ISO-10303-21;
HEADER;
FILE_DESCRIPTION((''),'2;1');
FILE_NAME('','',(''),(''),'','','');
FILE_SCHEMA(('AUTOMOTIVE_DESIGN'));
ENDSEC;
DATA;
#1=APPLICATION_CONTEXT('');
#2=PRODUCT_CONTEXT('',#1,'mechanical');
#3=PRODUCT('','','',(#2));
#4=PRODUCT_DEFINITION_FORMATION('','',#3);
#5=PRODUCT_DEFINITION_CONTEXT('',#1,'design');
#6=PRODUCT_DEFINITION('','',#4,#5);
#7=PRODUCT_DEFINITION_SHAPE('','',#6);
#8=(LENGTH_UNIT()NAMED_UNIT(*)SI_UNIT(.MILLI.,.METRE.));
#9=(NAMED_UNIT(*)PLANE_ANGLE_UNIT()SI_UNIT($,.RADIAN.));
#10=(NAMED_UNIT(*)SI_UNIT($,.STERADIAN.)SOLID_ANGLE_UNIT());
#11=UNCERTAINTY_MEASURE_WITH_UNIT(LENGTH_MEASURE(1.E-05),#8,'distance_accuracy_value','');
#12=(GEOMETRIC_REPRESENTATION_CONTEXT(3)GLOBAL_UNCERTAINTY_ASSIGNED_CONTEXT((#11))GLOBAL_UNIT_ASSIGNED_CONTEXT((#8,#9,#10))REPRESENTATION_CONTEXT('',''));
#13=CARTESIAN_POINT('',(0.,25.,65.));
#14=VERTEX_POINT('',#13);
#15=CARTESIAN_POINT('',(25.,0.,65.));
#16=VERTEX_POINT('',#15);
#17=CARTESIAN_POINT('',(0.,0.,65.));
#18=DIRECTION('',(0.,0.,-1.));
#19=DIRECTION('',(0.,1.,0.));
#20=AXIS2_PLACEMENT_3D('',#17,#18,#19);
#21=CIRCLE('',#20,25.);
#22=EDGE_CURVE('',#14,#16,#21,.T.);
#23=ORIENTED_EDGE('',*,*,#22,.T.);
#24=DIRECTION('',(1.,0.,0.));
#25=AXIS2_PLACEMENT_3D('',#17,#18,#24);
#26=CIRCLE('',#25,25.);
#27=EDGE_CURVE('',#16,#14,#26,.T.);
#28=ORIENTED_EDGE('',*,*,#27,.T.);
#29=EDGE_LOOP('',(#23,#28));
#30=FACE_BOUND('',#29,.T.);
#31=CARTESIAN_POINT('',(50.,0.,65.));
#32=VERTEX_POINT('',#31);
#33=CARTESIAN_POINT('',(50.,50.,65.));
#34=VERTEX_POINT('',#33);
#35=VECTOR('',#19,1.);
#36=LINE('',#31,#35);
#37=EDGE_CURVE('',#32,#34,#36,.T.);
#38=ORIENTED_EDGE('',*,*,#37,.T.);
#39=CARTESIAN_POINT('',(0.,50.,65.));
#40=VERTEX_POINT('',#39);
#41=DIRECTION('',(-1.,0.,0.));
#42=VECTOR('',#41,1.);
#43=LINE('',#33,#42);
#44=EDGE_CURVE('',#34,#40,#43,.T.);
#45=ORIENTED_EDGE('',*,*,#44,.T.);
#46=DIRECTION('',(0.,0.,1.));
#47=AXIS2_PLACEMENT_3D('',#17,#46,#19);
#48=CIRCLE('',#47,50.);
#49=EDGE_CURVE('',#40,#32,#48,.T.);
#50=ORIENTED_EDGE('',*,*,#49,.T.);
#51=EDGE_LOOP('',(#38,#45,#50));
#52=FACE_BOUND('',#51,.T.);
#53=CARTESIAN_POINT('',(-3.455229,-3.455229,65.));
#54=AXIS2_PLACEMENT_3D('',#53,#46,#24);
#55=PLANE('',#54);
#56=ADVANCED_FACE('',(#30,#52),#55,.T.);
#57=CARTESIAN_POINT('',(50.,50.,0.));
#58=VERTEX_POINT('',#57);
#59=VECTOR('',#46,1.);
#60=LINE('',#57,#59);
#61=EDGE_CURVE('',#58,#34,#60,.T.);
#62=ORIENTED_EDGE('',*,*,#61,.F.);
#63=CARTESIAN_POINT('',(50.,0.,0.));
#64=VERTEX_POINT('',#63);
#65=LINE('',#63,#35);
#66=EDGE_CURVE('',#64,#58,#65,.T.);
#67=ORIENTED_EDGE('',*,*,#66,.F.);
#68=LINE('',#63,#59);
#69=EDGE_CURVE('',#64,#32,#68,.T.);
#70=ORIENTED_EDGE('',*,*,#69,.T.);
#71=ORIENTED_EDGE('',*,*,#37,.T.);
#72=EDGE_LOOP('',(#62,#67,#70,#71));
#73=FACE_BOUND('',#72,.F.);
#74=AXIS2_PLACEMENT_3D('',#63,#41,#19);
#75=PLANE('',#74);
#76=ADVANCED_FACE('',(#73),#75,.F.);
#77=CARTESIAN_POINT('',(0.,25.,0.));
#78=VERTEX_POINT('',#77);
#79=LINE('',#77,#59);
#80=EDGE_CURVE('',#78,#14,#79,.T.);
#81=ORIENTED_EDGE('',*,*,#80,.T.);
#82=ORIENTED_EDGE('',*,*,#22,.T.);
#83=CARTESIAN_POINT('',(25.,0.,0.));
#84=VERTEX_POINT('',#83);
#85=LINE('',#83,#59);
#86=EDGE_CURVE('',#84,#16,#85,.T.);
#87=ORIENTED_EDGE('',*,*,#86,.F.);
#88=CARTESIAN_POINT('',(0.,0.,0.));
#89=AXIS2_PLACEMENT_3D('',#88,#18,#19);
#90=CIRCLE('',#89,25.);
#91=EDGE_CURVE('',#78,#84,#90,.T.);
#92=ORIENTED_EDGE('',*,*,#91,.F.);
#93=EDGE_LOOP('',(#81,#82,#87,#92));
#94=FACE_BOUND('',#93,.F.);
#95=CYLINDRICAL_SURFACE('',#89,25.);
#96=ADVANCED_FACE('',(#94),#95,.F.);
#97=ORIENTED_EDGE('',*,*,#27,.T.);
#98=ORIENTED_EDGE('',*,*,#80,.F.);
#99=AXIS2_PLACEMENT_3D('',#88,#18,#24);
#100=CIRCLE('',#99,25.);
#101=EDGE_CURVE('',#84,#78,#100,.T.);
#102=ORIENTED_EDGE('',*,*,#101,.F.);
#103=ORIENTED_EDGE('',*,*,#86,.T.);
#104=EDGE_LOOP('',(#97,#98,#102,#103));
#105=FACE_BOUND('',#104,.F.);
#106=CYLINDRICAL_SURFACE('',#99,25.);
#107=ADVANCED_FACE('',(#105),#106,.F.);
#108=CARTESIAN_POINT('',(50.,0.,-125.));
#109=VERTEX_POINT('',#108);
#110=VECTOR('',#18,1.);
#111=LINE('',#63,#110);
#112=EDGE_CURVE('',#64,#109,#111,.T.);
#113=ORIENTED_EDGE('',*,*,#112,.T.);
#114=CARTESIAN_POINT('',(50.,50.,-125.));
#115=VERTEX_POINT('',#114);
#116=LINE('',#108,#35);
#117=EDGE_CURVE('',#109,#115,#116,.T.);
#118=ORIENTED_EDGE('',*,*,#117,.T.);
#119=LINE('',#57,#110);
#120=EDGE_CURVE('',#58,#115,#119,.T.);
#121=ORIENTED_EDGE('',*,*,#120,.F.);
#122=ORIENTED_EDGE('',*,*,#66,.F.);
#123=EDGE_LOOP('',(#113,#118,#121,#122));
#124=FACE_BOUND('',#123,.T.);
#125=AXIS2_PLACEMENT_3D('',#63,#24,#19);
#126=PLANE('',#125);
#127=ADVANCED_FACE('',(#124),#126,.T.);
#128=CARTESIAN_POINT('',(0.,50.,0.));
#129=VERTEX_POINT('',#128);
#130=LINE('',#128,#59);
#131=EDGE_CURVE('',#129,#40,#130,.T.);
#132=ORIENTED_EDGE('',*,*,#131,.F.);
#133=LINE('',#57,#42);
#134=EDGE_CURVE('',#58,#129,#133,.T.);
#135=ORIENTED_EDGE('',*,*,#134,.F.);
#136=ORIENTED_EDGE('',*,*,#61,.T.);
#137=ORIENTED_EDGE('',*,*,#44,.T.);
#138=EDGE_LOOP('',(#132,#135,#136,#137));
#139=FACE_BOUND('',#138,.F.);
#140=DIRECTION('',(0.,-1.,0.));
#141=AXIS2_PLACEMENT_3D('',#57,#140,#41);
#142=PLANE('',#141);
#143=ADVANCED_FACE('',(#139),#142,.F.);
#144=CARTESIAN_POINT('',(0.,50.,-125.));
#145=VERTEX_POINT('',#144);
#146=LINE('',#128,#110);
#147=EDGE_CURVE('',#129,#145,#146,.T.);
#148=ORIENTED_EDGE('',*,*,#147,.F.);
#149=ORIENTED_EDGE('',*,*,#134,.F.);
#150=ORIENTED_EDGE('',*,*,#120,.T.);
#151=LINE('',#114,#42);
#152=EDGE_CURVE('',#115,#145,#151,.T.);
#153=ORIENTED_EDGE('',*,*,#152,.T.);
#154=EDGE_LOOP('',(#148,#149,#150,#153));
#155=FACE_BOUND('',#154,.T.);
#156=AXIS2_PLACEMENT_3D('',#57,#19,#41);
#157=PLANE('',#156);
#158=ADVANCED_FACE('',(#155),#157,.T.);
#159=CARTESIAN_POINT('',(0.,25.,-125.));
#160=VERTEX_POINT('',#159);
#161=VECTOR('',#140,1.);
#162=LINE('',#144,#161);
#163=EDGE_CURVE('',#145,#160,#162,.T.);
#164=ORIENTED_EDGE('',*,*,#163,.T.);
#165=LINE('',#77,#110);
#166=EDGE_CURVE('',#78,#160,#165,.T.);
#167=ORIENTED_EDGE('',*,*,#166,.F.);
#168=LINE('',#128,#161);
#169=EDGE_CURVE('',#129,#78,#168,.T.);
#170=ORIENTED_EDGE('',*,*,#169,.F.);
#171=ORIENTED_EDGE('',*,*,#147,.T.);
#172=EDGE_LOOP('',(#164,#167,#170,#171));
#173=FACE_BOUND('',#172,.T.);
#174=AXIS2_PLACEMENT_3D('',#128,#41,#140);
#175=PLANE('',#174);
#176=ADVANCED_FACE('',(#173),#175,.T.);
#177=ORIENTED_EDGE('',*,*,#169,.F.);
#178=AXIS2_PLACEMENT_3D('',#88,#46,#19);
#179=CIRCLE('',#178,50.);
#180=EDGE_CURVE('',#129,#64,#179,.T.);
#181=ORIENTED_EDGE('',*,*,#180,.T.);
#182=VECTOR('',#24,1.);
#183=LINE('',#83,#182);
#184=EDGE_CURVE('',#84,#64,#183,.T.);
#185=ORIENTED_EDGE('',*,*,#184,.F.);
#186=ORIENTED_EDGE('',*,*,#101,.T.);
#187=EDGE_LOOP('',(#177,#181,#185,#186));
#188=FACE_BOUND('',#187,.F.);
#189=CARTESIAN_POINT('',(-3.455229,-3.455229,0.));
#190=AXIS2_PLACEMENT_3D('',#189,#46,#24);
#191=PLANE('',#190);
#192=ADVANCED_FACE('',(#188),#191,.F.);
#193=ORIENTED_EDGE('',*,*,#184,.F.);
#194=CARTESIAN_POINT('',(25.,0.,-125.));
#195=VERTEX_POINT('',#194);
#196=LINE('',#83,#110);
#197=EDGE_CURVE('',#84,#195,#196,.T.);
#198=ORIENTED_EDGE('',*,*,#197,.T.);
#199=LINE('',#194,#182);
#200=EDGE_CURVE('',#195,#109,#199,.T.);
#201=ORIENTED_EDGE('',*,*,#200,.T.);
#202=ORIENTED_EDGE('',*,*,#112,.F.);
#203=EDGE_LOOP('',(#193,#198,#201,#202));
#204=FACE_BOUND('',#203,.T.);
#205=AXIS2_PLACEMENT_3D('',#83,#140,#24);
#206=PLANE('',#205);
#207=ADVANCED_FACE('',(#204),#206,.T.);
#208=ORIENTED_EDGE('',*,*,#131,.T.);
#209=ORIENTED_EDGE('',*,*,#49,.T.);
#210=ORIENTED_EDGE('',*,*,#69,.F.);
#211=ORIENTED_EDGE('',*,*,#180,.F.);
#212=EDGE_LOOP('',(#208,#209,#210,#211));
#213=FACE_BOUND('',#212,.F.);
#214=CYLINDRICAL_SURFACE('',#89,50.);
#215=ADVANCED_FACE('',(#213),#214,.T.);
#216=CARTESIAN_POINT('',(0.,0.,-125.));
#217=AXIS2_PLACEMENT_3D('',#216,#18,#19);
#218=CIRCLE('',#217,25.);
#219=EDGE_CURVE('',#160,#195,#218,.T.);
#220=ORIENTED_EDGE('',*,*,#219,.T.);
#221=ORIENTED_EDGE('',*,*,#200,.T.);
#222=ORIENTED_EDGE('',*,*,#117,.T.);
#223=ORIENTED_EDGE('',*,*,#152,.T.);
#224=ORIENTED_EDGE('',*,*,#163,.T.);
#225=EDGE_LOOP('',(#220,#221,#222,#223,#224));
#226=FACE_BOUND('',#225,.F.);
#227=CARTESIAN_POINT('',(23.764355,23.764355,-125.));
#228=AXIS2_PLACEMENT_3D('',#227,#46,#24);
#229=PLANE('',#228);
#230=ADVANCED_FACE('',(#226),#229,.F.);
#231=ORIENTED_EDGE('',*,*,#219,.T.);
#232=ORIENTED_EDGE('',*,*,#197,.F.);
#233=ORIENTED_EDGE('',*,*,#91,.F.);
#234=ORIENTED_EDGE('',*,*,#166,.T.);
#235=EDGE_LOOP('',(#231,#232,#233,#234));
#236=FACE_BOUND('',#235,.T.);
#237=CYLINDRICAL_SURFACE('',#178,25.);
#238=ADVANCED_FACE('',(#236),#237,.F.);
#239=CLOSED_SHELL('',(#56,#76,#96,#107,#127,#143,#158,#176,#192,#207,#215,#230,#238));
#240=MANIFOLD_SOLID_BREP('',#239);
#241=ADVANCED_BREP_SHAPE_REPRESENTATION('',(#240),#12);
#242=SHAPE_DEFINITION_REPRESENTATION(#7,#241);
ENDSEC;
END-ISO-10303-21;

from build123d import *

# Parameters (mm, degrees)
F1_DEPTH = 65
F2_DEPTH = 125


with BuildPart() as f1:
    # F0 (on Top) → F1 (new body)
    with BuildSketch(Plane.XY):
        with BuildLine():
            Line((50, 0), (25, 0))
            ThreePointArc((25, 0), (-17.6776695297, -17.6776695297), (0, 25))
            Line((0, 25), (0, 50))
            ThreePointArc((0, 50), (-35.3553390593, -35.3553390593), (50, 0))
        make_face()
        with BuildLine():
            ThreePointArc((0, 25), (17.6776695297, 17.6776695297), (25, 0))
            Line((25, 0), (50, 0))
            ThreePointArc((50, 0), (35.3553390593, 35.3553390593), (0, 50))
            Line((0, 50), (0, 25))
        make_face()
        with BuildLine():
            ThreePointArc((0, 50), (35.3553390593, 35.3553390593), (50, 0))
            Line((50, 0), (50, 50))
            Line((50, 50), (0, 50))
        make_face()
    extrude(amount=F1_DEPTH)

    # F0 (on Top) → F2 (join)
    with BuildSketch(Plane.XY):
        with BuildLine():
            ThreePointArc((0, 25), (17.6776695297, 17.6776695297), (25, 0))
            Line((25, 0), (50, 0))
            ThreePointArc((50, 0), (35.3553390593, 35.3553390593), (0, 50))
            Line((0, 50), (0, 25))
        make_face()
        with BuildLine():
            ThreePointArc((0, 50), (35.3553390593, 35.3553390593), (50, 0))
            Line((50, 0), (50, 50))
            Line((50, 50), (0, 50))
        make_face()
    extrude(amount=-F2_DEPTH)


solid = f1.part
